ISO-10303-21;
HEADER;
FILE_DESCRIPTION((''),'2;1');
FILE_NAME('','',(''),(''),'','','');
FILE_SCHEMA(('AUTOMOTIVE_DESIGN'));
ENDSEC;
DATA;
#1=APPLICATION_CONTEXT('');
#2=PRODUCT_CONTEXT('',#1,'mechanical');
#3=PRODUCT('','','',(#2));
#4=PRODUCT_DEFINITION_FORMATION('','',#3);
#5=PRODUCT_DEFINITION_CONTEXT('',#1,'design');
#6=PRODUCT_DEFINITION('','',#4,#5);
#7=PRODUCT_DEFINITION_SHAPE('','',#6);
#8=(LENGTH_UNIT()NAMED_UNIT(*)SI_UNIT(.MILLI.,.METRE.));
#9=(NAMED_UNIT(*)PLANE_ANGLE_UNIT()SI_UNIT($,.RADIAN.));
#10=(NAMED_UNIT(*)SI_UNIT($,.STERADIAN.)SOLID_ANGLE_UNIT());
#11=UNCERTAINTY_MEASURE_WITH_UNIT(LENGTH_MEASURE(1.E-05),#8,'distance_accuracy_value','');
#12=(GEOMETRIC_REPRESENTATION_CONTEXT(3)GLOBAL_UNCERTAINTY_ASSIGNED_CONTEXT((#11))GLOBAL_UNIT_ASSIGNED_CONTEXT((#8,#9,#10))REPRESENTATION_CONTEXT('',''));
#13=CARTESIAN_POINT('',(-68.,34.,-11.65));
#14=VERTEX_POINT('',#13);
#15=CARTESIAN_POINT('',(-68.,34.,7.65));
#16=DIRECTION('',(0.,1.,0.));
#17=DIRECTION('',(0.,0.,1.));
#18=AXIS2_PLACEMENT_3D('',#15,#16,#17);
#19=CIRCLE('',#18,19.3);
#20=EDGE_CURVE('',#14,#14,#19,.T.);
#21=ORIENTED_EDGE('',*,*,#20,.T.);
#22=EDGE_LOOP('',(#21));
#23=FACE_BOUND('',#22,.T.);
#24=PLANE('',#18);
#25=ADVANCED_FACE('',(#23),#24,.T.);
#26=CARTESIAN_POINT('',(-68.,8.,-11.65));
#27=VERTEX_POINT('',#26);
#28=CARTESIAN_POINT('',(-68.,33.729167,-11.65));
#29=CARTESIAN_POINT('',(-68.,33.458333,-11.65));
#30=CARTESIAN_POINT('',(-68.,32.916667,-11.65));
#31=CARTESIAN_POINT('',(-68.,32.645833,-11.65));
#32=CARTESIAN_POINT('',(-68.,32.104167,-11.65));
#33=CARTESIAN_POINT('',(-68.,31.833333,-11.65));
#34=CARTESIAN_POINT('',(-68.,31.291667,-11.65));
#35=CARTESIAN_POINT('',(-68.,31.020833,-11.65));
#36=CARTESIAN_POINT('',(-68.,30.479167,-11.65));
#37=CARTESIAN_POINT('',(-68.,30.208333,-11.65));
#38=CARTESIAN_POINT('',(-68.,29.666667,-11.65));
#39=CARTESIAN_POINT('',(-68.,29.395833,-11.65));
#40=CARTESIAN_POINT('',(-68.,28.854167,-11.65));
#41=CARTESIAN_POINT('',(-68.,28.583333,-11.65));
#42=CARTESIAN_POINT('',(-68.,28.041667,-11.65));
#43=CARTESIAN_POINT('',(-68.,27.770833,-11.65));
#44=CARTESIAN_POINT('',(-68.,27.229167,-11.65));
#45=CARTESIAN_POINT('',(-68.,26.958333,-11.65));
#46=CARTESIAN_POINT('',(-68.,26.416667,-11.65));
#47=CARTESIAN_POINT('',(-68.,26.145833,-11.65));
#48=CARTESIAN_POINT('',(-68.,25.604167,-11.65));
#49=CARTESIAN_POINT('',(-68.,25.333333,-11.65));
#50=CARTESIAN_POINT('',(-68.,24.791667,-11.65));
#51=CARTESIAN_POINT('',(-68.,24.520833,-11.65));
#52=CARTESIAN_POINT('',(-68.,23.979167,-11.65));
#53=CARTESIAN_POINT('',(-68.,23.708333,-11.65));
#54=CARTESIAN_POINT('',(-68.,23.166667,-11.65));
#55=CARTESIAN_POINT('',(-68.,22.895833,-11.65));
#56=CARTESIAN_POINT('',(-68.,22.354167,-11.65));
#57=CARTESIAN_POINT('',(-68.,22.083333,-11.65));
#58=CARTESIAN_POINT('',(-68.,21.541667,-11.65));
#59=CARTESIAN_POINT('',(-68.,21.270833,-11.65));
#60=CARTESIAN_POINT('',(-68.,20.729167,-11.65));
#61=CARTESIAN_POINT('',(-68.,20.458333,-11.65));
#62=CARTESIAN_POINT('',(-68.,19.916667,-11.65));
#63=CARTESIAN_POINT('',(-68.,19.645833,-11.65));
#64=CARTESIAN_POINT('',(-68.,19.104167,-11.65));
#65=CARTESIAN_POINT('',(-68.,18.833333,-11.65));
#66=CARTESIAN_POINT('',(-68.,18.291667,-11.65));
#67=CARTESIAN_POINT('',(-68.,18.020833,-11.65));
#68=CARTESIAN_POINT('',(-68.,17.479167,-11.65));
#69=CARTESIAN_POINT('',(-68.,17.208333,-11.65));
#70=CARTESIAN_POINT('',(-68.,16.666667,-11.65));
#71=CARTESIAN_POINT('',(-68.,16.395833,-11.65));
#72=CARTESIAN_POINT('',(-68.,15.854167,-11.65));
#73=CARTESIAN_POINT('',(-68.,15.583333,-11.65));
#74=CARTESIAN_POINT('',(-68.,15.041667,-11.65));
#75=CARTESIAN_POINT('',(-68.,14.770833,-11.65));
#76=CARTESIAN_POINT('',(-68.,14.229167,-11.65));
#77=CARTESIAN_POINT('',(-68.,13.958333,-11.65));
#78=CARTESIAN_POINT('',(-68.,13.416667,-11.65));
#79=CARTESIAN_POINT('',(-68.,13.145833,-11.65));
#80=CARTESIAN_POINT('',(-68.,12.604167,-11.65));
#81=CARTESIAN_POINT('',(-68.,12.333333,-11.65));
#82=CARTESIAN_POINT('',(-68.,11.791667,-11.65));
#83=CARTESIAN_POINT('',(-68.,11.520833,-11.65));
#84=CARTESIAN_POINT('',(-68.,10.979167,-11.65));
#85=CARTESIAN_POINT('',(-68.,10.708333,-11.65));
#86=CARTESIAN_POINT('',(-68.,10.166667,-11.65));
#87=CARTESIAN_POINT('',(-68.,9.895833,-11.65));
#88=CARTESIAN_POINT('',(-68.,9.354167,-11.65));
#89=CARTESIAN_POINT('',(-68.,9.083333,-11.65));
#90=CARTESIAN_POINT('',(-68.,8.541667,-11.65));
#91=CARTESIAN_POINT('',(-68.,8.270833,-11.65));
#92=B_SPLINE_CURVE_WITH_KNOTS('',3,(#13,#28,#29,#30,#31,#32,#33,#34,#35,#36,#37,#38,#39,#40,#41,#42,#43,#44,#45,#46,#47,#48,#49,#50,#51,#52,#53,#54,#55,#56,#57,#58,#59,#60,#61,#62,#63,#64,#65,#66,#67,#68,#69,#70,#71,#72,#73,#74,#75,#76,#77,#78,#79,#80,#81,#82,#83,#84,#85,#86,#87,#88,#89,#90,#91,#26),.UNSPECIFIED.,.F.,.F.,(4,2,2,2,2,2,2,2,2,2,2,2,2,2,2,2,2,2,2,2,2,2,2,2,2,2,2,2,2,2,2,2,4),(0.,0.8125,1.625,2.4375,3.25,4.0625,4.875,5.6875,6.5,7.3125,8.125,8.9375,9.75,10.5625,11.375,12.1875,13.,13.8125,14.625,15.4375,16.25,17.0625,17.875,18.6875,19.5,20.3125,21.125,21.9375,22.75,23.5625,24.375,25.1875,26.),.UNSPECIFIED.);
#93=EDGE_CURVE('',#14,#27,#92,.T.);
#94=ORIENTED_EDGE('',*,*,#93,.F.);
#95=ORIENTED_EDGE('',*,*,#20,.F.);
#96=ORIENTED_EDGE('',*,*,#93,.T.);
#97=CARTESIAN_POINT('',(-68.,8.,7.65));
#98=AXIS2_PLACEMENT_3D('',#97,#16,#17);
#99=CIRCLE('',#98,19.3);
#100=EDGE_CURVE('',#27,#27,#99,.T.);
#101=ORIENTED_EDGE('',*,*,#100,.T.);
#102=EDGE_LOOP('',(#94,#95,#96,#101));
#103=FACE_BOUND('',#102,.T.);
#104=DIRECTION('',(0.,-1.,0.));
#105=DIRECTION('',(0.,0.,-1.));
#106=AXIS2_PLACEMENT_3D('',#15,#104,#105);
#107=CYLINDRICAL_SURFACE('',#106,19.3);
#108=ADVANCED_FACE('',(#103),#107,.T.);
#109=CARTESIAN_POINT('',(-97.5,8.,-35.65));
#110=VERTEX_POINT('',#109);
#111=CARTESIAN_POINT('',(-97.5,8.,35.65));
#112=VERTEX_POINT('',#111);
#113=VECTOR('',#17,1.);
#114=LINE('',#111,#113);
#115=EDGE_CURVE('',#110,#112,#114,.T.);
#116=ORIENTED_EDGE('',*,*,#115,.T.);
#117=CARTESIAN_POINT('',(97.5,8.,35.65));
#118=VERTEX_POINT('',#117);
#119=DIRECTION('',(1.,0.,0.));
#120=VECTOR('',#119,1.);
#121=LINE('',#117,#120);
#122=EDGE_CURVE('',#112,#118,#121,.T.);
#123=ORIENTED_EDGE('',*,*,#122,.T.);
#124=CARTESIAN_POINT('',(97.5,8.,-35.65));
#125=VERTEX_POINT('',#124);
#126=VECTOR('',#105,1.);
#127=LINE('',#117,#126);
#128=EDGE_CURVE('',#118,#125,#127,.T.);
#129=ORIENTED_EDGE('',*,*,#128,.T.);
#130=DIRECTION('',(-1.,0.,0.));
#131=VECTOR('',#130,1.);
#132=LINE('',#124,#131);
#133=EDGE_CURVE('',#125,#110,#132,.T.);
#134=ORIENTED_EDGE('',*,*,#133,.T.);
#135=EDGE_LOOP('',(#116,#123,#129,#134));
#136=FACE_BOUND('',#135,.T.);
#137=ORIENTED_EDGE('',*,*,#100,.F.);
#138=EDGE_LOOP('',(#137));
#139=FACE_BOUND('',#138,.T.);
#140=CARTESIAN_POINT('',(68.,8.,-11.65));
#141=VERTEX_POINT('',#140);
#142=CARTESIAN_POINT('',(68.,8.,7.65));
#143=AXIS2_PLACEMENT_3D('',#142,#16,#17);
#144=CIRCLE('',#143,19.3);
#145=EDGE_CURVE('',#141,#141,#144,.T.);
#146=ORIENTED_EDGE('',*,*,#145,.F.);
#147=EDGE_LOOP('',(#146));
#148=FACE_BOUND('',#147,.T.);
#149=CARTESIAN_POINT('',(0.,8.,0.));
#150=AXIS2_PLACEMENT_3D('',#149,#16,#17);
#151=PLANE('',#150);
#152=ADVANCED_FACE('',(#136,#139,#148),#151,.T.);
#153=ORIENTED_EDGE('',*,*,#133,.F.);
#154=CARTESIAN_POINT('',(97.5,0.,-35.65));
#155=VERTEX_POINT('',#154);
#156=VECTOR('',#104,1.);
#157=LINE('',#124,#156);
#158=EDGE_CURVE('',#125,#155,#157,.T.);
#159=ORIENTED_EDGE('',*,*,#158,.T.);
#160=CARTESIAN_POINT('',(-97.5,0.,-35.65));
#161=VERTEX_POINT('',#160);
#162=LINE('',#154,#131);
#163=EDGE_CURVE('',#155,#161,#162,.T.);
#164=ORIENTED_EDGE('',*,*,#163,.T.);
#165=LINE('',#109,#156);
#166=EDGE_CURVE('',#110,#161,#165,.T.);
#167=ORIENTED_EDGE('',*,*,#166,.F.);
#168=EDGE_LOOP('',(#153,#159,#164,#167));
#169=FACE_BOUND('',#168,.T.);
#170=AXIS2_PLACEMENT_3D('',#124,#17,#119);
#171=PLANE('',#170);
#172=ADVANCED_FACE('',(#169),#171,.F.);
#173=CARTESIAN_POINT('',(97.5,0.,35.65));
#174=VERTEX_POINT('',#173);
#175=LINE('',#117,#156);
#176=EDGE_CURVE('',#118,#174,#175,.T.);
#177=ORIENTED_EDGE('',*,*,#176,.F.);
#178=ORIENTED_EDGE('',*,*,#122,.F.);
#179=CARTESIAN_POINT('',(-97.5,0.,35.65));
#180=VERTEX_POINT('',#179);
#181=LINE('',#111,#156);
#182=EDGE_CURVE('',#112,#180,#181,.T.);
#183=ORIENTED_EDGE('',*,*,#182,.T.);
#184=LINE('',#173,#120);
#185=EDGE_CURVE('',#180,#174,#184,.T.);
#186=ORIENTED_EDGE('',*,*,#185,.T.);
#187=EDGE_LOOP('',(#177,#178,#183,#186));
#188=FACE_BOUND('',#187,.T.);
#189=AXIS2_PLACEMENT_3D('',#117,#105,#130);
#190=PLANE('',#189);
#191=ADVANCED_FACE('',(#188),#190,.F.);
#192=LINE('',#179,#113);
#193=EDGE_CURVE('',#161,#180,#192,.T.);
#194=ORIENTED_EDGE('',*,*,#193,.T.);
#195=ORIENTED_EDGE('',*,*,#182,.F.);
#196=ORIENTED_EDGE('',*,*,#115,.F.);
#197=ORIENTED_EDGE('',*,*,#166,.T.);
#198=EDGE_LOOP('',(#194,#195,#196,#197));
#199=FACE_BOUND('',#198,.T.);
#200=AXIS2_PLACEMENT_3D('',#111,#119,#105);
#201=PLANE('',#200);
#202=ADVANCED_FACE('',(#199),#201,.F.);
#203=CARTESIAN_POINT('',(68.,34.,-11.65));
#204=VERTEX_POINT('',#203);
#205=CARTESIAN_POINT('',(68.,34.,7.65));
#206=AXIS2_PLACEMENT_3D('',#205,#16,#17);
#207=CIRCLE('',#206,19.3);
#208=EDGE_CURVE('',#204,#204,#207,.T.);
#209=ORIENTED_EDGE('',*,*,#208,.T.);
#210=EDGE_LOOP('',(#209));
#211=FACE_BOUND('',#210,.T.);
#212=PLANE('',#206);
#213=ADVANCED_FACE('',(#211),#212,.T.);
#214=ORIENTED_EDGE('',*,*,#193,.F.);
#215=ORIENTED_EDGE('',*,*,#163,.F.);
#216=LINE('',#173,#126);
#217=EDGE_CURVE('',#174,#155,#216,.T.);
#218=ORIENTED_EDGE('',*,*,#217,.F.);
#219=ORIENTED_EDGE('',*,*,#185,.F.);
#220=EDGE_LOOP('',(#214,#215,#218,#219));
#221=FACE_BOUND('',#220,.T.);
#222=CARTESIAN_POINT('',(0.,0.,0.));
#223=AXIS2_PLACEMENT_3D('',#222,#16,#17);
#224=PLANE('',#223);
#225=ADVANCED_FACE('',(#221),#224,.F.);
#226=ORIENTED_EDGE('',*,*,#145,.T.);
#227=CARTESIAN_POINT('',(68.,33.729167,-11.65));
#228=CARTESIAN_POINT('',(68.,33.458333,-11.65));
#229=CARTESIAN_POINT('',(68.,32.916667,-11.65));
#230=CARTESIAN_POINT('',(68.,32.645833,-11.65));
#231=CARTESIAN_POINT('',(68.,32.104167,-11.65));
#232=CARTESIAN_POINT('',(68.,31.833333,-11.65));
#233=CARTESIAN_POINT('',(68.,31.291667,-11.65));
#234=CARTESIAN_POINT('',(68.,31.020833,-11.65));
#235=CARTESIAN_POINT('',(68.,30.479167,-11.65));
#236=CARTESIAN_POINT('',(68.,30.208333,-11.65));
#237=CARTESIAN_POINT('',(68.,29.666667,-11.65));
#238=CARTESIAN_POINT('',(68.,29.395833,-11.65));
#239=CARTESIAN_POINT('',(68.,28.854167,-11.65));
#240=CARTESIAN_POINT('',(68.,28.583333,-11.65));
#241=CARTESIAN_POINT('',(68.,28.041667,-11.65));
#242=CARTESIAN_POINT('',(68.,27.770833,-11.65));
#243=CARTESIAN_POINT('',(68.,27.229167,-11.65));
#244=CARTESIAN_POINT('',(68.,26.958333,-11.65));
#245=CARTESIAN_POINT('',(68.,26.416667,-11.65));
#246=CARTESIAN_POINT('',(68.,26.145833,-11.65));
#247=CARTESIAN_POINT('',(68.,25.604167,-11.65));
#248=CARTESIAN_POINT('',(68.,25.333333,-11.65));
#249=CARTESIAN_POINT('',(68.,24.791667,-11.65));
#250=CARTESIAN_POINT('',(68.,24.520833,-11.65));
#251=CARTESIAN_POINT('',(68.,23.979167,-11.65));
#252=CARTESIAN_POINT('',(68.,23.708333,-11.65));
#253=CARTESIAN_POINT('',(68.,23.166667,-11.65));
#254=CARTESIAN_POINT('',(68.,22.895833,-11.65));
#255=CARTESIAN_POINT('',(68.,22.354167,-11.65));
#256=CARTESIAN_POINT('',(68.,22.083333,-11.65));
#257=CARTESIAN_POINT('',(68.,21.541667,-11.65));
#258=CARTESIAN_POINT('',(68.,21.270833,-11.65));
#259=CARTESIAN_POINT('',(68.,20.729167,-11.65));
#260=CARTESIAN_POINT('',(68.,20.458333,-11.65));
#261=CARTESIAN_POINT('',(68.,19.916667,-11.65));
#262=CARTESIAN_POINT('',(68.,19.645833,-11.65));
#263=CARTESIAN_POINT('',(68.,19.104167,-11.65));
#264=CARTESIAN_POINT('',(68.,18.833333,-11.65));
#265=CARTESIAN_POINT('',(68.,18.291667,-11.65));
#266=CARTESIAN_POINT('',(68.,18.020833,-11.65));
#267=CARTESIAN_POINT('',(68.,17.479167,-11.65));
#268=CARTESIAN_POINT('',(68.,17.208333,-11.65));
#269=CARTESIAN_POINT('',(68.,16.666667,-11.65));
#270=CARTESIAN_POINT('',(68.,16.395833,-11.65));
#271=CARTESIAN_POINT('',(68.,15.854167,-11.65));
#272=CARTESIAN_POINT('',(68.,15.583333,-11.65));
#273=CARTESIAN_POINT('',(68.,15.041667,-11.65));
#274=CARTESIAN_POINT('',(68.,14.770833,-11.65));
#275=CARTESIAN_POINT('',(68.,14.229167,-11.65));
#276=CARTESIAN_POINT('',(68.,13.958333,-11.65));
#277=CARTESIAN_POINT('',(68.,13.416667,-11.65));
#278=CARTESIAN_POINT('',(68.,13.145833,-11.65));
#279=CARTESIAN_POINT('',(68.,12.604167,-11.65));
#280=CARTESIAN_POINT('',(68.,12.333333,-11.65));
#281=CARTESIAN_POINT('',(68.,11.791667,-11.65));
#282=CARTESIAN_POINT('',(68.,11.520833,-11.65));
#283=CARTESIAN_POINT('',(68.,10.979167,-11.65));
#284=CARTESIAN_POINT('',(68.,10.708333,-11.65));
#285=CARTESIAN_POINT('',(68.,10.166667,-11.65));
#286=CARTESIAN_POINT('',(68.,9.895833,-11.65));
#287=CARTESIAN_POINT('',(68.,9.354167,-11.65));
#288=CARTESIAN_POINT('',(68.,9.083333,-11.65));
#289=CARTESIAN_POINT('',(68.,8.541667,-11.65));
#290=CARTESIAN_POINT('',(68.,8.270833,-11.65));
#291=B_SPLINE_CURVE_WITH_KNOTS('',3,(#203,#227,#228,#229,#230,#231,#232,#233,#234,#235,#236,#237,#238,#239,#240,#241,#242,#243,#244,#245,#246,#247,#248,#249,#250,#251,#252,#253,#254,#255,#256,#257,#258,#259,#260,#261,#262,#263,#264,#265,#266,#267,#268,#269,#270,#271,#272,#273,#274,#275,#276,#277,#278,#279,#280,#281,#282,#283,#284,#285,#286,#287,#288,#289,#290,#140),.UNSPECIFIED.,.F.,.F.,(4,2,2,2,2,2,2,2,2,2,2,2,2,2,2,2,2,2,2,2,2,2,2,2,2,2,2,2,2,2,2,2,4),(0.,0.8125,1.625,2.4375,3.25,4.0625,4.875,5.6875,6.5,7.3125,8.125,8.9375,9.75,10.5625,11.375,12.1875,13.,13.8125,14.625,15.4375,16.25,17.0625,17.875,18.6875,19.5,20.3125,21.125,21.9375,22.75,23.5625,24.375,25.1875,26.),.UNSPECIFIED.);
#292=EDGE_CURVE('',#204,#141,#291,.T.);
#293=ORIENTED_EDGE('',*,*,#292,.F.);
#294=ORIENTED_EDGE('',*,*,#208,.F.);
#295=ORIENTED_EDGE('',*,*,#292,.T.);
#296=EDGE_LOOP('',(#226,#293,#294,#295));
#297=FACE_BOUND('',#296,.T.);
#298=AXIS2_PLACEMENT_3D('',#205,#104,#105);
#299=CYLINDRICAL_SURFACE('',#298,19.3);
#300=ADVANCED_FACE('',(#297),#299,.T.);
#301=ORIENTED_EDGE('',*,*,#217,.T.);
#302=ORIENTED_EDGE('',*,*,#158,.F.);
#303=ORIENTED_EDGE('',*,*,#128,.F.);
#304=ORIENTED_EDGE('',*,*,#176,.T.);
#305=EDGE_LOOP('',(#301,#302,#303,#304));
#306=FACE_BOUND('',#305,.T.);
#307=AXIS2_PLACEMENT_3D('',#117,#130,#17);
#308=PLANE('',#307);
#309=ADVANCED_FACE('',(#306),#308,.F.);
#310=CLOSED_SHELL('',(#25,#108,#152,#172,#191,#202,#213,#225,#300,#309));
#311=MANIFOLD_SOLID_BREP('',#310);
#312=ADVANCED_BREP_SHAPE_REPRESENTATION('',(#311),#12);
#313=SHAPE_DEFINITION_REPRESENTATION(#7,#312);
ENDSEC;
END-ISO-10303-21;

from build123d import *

# Parameters (mm, degrees)
SKETCH_1_W      = 195
SKETCH_1_H      = 71.3
EXTRUDE_1_DEPTH = 8
SKETCH_2_R      = 19.3
EXTRUDE_2_DEPTH = 26


with BuildPart() as part:
    # 草图1 → 凸台-拉伸1 (new body)
    with BuildSketch(Plane(origin=(0, 0, 0), x_dir=(1, 0, 0), z_dir=(0, 1, 0))):
        Rectangle(SKETCH_1_W, SKETCH_1_H)
    extrude(amount=EXTRUDE_1_DEPTH)

    # 草图2 → 凸台-拉伸2 (add)
    with BuildSketch(Plane(origin=(0, 8, 0), x_dir=(1, 0, 0), z_dir=(0, 1, 0))):
        with Locations(Location((68, -7.65, 0), (0, 0, 90))):
            Circle(SKETCH_2_R)
        with Locations(Location((-68, -7.65, 0), (0, 0, 90))):
            Circle(SKETCH_2_R)
    extrude(amount=EXTRUDE_2_DEPTH)


solid = part.part
